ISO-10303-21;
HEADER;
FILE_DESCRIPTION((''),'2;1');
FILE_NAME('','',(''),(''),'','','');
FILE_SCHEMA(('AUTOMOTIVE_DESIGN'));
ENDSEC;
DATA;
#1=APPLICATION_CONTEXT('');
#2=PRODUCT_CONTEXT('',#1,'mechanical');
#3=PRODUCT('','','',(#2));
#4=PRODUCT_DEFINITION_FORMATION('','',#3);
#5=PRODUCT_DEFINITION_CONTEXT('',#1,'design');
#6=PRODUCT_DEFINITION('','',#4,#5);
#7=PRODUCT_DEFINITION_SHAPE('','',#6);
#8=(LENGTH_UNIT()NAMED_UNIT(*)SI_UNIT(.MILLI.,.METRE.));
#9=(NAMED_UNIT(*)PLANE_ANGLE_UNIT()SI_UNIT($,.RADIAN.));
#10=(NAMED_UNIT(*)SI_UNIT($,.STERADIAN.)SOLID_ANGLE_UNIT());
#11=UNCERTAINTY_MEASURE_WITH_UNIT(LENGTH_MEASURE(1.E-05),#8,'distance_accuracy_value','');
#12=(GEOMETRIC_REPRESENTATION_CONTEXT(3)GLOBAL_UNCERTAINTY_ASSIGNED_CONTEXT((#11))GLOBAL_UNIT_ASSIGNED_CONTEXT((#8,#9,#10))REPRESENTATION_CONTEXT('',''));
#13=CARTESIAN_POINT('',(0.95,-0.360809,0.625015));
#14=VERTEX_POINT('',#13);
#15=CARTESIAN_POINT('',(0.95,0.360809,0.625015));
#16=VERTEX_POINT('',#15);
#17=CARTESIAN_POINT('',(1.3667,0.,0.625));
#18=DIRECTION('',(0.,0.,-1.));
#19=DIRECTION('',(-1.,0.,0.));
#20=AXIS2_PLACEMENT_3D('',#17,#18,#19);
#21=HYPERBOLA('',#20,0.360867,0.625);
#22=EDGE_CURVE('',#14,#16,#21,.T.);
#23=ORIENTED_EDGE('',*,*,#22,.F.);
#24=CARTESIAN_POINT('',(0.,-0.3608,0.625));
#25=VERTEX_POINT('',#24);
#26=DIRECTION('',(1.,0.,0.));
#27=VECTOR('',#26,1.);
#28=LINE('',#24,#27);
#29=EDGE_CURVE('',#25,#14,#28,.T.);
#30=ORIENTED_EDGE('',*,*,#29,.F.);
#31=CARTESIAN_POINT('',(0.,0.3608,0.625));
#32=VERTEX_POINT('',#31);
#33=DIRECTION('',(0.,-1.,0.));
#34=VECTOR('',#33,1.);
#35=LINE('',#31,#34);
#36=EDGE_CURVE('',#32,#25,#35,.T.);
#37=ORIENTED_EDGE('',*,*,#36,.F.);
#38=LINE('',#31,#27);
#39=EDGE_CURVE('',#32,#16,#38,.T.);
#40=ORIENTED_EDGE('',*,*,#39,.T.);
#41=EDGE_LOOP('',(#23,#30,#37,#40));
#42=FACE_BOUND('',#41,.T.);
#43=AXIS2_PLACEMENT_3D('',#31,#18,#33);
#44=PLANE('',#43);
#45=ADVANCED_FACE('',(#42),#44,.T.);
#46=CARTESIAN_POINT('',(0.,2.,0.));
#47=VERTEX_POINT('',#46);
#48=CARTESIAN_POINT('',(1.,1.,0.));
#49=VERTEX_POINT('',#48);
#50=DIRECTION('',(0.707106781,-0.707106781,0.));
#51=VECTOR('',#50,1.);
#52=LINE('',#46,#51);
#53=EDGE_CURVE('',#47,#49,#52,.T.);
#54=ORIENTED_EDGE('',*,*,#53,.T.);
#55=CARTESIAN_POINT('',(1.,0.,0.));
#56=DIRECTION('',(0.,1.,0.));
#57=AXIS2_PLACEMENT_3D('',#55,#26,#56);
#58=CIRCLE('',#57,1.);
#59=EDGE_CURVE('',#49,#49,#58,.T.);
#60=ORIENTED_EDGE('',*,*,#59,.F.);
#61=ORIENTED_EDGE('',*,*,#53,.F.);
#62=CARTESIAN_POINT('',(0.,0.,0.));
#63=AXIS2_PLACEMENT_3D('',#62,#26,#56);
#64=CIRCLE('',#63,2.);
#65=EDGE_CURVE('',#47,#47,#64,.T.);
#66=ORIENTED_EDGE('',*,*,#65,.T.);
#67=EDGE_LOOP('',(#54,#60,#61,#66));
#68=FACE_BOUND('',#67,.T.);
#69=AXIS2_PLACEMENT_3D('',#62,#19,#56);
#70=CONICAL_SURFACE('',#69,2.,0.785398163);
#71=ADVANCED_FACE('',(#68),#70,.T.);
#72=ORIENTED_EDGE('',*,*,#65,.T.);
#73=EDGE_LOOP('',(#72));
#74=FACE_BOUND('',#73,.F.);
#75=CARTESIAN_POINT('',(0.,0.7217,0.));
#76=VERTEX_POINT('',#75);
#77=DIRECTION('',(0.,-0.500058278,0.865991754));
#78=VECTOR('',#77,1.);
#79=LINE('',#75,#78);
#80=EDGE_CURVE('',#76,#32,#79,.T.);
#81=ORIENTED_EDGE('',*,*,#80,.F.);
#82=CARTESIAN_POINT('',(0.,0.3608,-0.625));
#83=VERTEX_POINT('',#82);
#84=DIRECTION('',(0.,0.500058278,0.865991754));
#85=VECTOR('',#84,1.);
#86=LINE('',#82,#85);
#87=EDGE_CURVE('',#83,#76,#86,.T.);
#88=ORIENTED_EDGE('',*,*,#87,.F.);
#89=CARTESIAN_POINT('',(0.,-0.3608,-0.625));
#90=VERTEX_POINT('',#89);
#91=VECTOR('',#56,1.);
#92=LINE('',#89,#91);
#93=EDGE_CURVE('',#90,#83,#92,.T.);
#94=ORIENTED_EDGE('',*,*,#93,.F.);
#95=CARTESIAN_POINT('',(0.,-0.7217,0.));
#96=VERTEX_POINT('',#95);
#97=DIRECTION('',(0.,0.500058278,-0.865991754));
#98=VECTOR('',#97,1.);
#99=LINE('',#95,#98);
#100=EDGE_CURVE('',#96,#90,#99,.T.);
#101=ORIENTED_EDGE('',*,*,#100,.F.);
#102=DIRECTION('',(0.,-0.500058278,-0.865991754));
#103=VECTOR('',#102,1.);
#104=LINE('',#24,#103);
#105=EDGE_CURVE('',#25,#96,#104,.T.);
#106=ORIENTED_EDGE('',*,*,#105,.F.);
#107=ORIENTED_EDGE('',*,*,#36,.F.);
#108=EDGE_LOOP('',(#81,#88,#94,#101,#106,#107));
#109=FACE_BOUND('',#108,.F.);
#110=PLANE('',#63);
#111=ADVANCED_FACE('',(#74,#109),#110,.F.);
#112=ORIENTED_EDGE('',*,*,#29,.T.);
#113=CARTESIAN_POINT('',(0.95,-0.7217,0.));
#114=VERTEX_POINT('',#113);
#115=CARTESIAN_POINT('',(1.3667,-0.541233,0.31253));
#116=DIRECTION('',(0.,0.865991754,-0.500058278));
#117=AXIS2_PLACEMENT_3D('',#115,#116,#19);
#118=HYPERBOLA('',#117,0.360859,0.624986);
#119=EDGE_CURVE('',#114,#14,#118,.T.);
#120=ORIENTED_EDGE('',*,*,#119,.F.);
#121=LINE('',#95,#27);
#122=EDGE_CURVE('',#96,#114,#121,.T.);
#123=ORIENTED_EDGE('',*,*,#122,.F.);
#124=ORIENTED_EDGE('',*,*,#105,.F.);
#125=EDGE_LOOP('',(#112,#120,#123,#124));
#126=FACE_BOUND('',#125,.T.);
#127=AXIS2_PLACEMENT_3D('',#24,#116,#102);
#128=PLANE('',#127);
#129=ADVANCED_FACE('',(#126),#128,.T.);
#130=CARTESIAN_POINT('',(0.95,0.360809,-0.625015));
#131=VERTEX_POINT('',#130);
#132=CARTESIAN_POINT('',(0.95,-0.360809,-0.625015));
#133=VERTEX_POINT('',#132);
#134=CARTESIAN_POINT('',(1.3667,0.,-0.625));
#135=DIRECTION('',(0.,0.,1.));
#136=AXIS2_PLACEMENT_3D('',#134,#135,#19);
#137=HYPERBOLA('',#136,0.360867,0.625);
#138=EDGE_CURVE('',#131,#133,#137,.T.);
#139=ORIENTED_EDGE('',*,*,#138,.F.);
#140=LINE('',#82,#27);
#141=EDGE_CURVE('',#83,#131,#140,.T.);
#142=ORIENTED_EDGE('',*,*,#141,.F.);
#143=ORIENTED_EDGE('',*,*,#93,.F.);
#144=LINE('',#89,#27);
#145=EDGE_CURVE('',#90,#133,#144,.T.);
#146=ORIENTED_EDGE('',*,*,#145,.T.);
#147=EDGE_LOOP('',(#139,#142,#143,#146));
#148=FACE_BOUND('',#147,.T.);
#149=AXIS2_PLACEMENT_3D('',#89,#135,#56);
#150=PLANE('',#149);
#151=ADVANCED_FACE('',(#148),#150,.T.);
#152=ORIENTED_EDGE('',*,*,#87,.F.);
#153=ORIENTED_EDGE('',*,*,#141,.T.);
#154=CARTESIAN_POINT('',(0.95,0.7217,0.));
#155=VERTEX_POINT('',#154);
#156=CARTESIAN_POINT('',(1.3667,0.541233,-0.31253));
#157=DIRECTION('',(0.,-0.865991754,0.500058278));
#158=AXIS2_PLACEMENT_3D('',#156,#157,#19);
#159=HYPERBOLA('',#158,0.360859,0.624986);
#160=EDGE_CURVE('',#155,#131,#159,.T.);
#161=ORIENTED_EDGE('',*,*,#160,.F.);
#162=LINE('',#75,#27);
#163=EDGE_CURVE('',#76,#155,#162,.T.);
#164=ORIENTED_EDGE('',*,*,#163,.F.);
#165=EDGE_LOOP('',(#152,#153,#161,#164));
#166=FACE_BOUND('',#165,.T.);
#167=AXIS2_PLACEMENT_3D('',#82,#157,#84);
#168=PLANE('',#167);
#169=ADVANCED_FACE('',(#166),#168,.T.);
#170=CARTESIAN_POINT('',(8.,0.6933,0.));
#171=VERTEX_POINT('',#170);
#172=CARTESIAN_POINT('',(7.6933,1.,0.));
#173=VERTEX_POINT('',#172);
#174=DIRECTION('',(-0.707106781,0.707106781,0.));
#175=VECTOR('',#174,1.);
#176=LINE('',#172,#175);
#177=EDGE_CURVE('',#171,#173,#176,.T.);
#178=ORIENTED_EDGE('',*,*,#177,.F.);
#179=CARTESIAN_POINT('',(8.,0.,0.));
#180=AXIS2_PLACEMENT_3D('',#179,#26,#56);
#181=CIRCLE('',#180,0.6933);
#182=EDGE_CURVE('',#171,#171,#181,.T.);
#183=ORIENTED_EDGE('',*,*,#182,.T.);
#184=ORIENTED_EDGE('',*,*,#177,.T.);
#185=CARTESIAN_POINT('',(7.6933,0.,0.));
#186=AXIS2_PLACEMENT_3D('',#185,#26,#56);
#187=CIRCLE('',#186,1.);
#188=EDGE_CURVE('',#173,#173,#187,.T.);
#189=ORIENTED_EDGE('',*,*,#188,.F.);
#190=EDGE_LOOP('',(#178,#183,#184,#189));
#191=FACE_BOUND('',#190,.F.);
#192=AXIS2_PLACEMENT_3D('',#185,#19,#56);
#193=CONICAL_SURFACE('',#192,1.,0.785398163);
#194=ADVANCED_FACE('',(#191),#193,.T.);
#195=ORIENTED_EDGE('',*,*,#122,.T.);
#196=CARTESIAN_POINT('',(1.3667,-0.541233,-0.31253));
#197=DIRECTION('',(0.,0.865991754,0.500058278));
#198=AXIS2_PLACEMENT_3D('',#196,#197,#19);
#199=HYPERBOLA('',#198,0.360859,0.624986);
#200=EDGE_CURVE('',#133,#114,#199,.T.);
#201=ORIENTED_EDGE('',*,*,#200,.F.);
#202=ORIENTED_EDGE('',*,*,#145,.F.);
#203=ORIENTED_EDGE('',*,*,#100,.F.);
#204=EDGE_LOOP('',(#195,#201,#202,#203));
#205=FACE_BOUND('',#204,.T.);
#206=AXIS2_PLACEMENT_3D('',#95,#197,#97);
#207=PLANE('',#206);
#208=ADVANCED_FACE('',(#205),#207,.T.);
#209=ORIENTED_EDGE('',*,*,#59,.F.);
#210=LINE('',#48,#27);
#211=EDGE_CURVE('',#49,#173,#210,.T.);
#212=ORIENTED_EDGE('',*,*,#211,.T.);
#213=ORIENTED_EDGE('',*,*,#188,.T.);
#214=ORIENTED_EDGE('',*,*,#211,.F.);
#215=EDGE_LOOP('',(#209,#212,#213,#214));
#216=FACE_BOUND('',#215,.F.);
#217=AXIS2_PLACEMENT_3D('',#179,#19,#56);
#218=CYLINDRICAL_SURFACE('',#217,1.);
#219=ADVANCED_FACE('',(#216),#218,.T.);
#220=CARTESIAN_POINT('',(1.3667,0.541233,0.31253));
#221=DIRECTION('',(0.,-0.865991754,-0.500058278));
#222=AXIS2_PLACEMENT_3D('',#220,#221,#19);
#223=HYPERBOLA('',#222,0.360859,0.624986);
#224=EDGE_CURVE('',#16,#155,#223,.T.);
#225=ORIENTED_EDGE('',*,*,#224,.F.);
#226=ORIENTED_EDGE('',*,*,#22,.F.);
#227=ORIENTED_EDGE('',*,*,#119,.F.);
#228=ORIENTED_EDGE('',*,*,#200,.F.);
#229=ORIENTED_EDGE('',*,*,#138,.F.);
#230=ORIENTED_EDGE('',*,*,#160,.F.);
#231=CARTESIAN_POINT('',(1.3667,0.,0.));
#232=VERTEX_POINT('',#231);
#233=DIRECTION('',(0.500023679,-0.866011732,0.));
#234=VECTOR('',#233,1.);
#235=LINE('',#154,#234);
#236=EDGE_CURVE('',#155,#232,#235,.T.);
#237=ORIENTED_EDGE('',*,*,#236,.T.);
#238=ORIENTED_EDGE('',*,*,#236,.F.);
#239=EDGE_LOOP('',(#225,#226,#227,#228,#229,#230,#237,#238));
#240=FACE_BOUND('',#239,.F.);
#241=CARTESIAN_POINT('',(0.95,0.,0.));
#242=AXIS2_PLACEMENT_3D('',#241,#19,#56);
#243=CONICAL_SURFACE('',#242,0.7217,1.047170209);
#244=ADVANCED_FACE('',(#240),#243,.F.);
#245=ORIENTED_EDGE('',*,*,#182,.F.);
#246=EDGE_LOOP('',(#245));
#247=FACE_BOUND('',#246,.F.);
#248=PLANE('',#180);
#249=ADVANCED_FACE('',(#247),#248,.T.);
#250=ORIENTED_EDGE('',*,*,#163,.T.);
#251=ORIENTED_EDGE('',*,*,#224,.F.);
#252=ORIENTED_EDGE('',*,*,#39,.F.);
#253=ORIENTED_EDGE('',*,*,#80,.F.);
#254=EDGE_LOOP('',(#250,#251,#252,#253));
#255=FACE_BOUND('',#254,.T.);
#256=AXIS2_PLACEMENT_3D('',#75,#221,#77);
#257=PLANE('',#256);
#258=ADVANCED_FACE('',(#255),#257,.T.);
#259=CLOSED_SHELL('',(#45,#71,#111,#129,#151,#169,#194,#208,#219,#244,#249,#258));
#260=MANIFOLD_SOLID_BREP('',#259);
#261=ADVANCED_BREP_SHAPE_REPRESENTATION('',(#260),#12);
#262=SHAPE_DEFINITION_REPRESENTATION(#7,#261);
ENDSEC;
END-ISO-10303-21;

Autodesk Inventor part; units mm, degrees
ref_plane "YZ Plane" through (0, 0, 0) normal (1, 0, 0) x (0, 1, 0)
ref_plane "XZ Plane" through (0, 0, 0) normal (0, 1, 0) x (-1, 0, 0)
sketch "Sketch1" plane through (0, 0, 0) normal (0, 0, 1) x (1, 0, 0)
  line L0 (8, 0) -> (8, 1)
  line L1 (8, 1) -> (2.95, 1)
  line L2 (2.95, 1) -> (2.6433, 1)
  line L3 (0, 2) -> (0, 0.7217)
  line L4 (0, 0.7217) -> (0.95, 0.7217)
  line L5 (0.95, 0.7217) -> (1.3667, 0)
  line L6 (1.3667, 0) -> (8, 0)
  line L7 (0, 2) -> (0, 2)
  line L8 (0, 2) -> (1, 1)
  line L9 (2.6433, 1) -> (1, 1)
  line L10 (2.95, 1) -> (1, 1) construction
  line L11 (1, 1) -> (1, 1)
  line L12 (-1.6, 0) -> (9.6, 0) projected
  line L13 (0, -0.4) -> (0, 2.4) projected
  dimension "d0" = 8
  dimension "d1" = 5.05
  dimension "d2" = 0.95
  dimension "d3" = 2
  dimension "d6" = 1
  dimension "d7" = 45
  dimension "d8" = 1.4434
  dimension "d9" = 60
  dimension "d10" = 4
  dimension "d11" = 2
  dimension "d12" = 0.3067
revolve "Body" add sketch "Sketch1" angle 360 about axis through (1.3667, 0, 0) along (1, 0, 0) contours L6 L5 L4 L3 L8 L9 L2 L1 L0
thread "Thread" size "M2x0.4" class "6g" standard "ISO Metric profile" full length
chamfer "Chamfer1" distance 0.3067 distance2 0.3067 1 edges at (8, -1, 0) measured on face at (8, 0.202, 0.5327)
ref_plane "Work Plane1" through (104.775, 0, 0) normal (0, 0, -1) x (1, 0, 0)
sketch "Sketch4" plane through (0, 0, 0) normal (-1, 0, 0) x (0, 0, 1)
  circle A0 centre (0, 0) radius 0.7217 projected
  line L0 (0.625, -0.3608) -> (0, -0.7217)
  line L1 (0, -0.7217) -> (-0.625, -0.3608)
  line L2 (-0.625, -0.3608) -> (-0.625, 0.3608)
  line L3 (-0.625, 0.3608) -> (0, 0.7217)
  line L4 (0, 0.7217) -> (0.625, 0.3608)
  line L5 (0.625, 0.3608) -> (0.625, -0.3608)
  point P0 (0, 0)
  point P1 (0.625, 0.3608)
  point P2 (0.625, 0.3608)
  point P3 (0, 0.7217)
  point P4 (0, 0.7217)
  point P5 (-0.625, 0.3608)
  point P6 (-0.625, 0.3608)
  point P7 (0, -0.7217)
  point P8 (0, -0.7217)
extrude "Extrusion3" add sketch "Sketch4" against normal up to surface contours A0 L5 | L4 A0 | A0 L0 | L3 A0 | A0 L1 | L2 A0
equation "\"d17\" = -0.5 * SPD + 0.5 * GD"
equation "\"d18\" = GUL"
equation "\"d0\" = NLG"
equation "\"d1\" = GEL"
equation "\"d2\" = INTI"
equation "\"d3\" = GD"
equation "\"d6\" = KOH"
equation "\"d7\" = 0.5 * SEWI"
equation "\"d8\" = 1.1547 * SW"
equation "\"d10\" = KOD"
equation "\"d11\" = BDM"
equation "\"d12\" = GAL"
equation "\"NLG\" = 8"
equation "\"INTI\" = 0.95"
equation "\"GEL\" = 5.05"
equation "\"GAL\" = 0.61345 * PTC"
equation "\"KOH\" = 1"
equation "\"KOD\" = 4"
equation "\"GUL\" = 0.61345 * PTC"
equation "\"SPD\" = NND - 1.2269 * PTC"
equation "\"BDM\" = NND"
equation "\"GD\" = NND"
equation "\"SEWI\" = 90deg"
equation "\"SW\" = 1.25"
equation "\"TOA\" = 30deg"
equation "\"GD1\" = THREADDIA - 1.2269 * PTC"
equation "\"EPV\" = 3.2"
equation "\"THREADDIA\" = 3"
equation "\"PTC\" = 0.5"
equation "\"NND\" = 2"
equation "\"E0\" = 1.155 * SW"
properties part number "UNI 5933 - M3 x 8" material "Steel, Mild"
